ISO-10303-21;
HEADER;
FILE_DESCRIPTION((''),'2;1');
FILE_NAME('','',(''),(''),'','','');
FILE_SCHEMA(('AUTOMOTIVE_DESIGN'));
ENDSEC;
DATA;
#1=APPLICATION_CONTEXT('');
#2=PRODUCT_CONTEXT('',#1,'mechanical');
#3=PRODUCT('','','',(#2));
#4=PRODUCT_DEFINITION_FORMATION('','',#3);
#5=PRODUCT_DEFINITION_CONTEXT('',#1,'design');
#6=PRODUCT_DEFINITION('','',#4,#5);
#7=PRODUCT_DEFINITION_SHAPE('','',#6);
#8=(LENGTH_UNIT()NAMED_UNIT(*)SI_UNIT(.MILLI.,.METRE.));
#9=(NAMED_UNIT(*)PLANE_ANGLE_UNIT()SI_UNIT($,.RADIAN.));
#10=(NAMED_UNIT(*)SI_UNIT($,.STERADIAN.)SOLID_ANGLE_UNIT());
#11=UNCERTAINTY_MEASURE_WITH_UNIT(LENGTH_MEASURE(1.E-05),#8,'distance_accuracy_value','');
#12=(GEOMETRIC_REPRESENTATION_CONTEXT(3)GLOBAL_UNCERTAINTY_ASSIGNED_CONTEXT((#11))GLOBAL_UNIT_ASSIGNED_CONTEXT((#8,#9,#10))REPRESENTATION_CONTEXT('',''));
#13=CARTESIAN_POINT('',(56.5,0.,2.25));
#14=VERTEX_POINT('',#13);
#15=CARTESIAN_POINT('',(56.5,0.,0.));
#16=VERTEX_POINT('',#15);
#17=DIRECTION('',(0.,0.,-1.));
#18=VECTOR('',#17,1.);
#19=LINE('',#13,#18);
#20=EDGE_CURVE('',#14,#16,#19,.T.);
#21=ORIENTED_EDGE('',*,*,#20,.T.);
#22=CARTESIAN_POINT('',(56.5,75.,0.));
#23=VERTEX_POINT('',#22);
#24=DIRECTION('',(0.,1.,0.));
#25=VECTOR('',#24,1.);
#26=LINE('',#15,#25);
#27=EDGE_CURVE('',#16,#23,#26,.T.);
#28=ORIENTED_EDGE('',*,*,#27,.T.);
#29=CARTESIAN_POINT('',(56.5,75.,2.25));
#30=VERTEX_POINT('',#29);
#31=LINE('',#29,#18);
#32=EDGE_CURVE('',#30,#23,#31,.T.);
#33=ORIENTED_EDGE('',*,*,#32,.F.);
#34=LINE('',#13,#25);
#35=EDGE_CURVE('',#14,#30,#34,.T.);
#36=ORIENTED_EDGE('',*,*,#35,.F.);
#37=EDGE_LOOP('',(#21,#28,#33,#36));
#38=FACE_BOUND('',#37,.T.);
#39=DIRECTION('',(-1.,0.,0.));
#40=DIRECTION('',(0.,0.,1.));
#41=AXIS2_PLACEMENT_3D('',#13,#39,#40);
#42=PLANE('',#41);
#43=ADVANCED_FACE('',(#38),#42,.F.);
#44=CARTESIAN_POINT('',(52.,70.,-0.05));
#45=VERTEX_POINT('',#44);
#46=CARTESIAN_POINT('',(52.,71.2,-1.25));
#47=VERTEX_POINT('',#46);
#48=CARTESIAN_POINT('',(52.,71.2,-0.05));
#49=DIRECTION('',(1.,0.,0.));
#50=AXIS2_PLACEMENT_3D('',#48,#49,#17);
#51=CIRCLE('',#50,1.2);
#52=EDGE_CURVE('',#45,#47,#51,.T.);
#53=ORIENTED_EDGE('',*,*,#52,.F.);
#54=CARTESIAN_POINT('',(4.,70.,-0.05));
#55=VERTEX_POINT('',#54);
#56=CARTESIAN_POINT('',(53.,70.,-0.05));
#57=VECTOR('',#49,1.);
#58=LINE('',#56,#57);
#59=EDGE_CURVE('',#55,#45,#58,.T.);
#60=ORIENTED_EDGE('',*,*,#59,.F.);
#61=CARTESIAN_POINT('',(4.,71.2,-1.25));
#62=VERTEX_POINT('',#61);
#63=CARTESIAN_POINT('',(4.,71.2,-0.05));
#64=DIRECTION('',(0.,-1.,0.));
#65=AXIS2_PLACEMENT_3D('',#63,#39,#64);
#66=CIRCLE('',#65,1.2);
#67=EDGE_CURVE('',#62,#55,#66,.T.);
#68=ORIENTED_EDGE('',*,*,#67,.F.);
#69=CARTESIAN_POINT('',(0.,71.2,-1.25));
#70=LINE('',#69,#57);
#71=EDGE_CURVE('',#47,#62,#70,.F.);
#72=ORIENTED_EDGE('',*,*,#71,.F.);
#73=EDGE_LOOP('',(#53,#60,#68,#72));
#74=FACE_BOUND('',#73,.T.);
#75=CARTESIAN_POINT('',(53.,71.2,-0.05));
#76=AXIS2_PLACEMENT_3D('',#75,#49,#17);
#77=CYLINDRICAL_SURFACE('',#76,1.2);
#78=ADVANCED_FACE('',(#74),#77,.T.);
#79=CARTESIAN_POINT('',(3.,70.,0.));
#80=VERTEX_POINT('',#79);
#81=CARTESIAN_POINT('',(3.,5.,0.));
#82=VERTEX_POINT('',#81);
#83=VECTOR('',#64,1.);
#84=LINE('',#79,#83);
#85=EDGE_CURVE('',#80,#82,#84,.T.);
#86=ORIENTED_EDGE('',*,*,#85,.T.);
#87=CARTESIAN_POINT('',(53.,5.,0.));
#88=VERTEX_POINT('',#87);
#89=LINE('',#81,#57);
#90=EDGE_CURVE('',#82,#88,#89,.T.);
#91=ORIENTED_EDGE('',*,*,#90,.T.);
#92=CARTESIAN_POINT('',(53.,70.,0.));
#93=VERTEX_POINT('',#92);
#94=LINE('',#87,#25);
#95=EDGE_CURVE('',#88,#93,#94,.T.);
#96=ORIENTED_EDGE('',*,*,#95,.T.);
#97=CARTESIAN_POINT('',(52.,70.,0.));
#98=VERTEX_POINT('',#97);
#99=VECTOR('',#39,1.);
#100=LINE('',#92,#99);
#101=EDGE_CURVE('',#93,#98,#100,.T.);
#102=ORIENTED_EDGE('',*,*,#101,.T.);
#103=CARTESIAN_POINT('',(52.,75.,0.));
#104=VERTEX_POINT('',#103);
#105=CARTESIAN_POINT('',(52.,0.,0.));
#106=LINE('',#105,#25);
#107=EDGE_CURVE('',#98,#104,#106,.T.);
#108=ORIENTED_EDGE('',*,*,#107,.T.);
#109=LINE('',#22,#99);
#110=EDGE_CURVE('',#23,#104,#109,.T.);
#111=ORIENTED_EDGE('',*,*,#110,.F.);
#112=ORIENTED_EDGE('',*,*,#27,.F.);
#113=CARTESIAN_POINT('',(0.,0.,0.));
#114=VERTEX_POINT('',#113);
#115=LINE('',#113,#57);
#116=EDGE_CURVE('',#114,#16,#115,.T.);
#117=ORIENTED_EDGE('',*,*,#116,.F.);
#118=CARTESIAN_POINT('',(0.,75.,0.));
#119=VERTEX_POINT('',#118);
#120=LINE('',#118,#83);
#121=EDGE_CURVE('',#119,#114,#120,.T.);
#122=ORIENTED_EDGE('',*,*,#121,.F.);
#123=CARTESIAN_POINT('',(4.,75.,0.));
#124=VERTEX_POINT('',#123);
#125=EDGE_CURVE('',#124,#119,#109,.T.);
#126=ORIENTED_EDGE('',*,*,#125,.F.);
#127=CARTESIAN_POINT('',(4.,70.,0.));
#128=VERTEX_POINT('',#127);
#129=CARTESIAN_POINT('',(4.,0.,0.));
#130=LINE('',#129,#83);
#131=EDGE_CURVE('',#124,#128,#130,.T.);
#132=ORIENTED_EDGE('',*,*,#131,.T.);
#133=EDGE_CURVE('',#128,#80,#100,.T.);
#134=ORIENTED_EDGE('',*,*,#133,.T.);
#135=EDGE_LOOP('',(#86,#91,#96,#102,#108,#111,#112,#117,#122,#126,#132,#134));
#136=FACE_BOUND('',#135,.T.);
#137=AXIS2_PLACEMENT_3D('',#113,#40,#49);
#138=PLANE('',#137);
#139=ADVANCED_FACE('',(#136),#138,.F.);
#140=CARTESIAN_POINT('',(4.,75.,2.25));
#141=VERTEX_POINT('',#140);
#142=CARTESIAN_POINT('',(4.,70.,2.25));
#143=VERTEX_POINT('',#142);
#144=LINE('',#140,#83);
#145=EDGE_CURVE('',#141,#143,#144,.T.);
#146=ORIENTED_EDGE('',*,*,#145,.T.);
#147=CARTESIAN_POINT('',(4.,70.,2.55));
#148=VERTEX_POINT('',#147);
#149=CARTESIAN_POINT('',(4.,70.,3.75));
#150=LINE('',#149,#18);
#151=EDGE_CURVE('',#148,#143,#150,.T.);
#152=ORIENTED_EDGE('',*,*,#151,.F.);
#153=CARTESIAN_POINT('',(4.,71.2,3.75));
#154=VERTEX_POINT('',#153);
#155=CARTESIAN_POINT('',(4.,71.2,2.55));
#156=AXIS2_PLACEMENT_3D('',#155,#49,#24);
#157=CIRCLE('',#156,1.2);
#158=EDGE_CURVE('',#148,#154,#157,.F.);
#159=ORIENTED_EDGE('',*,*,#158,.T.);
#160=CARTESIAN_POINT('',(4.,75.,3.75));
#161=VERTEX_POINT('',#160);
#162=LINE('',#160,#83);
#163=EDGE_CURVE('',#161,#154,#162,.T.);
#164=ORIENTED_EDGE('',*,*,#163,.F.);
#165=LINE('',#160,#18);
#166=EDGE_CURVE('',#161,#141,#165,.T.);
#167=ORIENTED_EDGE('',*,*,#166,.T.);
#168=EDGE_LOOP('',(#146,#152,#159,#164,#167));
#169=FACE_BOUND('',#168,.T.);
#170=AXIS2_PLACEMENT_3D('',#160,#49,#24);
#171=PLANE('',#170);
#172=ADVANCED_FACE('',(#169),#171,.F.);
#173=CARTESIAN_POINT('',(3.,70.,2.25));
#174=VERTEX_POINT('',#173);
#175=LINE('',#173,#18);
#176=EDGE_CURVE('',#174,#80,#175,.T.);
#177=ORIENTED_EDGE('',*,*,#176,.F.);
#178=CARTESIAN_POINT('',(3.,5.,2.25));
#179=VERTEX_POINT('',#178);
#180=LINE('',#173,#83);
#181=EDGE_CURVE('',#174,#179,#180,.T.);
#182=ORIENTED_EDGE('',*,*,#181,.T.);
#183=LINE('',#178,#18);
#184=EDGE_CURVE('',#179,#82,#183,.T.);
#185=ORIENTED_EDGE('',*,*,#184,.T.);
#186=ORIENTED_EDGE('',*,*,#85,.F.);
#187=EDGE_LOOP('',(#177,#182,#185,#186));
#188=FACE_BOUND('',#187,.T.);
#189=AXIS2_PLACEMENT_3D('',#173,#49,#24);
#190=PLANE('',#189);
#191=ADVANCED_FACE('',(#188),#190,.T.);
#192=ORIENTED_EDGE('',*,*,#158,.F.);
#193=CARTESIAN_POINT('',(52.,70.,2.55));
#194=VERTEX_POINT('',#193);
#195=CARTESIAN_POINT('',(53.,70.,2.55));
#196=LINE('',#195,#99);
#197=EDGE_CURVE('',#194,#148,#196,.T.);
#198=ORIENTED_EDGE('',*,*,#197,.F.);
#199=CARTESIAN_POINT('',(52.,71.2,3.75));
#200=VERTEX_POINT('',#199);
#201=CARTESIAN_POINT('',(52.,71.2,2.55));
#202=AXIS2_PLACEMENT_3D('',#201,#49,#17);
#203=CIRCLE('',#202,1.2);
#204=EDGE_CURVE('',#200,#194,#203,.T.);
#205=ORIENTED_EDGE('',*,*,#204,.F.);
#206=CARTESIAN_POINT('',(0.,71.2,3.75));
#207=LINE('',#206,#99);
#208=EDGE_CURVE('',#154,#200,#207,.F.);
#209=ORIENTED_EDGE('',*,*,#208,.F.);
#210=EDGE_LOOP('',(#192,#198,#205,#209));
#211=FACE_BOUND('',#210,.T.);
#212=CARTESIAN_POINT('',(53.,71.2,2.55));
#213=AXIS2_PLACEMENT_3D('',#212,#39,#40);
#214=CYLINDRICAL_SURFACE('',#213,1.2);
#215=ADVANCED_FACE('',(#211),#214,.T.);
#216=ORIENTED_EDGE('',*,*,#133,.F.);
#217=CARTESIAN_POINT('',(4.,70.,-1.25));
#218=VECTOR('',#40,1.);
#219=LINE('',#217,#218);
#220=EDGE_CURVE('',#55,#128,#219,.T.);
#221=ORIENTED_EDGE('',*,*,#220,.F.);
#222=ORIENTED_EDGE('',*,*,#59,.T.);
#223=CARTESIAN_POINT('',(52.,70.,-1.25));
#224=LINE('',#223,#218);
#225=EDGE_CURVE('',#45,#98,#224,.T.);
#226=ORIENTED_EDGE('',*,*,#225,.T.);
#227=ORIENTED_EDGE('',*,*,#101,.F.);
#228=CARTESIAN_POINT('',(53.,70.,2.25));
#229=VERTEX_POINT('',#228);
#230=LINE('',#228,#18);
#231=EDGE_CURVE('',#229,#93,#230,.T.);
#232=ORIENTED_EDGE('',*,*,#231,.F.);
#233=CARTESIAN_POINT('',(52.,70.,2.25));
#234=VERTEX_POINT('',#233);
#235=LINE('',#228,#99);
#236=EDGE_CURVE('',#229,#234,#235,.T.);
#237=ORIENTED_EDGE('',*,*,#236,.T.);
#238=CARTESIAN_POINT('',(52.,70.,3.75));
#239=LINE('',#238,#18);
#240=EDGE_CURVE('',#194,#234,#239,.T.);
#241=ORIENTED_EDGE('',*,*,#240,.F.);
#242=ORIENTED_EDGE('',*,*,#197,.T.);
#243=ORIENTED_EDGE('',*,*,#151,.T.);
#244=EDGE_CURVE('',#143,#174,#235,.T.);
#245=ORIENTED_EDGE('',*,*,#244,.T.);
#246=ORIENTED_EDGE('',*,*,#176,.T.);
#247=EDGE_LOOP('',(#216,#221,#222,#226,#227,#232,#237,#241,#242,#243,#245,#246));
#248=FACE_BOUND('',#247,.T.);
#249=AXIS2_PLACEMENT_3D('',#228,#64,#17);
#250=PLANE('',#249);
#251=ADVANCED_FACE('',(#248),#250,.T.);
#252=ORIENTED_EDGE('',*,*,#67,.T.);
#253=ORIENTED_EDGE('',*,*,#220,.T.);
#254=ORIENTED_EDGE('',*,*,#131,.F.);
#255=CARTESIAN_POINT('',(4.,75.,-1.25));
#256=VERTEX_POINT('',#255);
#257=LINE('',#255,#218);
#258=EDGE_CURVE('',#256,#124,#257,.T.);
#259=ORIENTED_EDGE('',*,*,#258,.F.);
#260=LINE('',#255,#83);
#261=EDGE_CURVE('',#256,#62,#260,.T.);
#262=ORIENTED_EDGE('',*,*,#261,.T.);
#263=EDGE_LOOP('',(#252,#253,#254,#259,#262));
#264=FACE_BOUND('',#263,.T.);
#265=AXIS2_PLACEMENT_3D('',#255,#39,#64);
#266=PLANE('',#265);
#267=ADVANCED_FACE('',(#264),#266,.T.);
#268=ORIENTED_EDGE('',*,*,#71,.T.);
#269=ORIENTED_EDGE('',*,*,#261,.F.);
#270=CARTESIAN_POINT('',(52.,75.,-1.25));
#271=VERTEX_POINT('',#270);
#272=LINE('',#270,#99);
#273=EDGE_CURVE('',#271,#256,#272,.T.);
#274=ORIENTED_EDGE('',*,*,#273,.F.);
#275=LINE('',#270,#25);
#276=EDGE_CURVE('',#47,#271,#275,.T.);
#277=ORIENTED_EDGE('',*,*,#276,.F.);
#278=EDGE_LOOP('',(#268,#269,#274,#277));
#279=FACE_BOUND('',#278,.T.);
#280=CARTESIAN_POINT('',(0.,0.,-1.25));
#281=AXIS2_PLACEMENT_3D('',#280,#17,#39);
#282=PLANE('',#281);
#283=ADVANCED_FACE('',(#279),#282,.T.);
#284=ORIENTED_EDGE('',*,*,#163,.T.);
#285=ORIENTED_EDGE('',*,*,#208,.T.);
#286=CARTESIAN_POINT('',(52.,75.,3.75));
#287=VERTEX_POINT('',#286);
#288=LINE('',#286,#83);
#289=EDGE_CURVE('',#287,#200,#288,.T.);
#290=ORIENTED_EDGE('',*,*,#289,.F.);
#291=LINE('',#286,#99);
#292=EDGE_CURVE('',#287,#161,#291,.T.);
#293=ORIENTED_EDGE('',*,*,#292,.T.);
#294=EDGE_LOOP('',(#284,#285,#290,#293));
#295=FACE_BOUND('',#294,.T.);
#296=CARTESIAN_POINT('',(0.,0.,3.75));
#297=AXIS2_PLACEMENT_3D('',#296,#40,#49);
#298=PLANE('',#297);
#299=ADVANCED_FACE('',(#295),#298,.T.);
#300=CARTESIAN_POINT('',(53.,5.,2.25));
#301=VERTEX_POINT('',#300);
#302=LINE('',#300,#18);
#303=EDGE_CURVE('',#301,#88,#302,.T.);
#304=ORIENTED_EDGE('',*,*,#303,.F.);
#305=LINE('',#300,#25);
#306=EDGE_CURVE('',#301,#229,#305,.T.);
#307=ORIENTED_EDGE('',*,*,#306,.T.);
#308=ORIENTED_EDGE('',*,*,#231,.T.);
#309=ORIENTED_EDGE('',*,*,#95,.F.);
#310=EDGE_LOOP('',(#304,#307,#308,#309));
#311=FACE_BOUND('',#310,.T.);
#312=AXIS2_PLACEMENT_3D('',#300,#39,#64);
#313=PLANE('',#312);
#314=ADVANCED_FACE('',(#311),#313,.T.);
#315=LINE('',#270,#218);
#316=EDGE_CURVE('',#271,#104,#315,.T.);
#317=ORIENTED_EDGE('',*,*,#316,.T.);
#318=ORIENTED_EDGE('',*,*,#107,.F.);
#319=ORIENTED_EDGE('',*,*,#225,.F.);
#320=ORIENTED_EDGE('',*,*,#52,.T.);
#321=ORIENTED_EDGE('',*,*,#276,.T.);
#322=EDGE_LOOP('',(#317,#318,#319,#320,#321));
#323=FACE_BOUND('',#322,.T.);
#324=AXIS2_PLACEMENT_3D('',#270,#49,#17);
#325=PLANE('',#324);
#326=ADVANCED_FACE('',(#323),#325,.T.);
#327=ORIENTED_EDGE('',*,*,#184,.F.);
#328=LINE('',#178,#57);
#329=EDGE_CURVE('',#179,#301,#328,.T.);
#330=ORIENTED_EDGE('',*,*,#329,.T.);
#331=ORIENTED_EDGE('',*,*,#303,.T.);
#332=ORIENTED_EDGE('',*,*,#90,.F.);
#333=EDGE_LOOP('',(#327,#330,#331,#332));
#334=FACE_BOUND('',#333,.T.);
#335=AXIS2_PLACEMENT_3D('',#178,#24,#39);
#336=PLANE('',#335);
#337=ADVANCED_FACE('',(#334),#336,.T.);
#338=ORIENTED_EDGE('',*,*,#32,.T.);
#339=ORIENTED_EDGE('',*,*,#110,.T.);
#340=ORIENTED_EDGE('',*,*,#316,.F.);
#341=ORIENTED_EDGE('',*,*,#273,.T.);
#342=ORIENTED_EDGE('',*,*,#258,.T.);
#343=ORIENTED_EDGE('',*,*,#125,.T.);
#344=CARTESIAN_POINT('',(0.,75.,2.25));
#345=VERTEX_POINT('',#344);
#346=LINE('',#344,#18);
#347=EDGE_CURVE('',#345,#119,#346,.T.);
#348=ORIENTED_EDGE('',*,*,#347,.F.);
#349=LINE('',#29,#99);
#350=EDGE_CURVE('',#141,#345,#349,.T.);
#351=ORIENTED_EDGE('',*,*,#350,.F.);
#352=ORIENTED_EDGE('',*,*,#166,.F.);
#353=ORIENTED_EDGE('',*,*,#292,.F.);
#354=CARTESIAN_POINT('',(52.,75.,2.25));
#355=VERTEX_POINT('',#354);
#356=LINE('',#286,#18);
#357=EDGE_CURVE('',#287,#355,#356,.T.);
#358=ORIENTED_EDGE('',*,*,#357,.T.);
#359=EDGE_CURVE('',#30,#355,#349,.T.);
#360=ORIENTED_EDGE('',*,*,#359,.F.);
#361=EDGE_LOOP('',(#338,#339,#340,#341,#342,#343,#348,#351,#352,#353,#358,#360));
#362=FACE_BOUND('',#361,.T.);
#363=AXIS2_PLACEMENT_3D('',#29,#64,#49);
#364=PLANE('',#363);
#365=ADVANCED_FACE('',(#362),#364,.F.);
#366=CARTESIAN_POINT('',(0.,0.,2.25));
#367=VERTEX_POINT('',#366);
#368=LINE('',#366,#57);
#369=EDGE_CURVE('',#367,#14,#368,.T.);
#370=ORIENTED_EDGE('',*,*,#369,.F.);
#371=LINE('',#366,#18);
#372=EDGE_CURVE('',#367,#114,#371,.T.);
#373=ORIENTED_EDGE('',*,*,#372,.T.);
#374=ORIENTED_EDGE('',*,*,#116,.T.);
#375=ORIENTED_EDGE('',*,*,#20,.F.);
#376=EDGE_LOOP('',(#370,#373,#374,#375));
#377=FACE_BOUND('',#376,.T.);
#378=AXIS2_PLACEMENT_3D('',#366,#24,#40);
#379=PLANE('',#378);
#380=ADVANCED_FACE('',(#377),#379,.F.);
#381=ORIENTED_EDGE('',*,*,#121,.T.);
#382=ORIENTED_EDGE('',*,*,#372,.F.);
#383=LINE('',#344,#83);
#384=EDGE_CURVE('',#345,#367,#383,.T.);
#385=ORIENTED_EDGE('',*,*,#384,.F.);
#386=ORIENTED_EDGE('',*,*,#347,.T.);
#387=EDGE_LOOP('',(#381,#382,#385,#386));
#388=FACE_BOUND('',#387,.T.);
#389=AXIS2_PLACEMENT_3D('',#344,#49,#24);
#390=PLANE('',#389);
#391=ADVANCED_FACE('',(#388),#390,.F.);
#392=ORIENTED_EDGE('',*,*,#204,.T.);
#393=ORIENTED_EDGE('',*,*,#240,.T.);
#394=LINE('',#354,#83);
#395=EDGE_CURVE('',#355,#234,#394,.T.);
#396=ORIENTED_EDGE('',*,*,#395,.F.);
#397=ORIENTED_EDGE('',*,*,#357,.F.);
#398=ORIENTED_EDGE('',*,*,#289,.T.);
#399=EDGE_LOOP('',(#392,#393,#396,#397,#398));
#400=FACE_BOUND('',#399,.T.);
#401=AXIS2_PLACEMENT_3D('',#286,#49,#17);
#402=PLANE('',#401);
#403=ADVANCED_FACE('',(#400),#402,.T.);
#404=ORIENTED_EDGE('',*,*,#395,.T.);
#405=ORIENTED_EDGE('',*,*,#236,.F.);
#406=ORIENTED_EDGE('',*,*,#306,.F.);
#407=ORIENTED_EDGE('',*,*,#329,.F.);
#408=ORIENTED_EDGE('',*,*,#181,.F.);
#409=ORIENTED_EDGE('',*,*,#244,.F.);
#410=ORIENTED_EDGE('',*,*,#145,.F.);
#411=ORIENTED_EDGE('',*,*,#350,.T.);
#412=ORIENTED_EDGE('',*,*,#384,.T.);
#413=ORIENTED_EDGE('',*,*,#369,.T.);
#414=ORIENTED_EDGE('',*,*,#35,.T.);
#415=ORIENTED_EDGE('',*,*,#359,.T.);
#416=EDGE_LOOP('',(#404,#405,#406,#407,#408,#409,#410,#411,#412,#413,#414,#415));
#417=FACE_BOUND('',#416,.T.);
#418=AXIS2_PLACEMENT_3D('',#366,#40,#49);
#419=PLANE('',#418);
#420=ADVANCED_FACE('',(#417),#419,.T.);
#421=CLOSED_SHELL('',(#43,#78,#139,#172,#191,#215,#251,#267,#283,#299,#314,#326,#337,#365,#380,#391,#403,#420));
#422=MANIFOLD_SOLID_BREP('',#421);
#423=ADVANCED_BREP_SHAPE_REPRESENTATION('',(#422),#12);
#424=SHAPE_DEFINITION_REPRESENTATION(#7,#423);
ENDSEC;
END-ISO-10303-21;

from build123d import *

# Parameters (mm, degrees)
SKETCH2_W                = 56.5
SKETCH2_H                = 75
SKETCH2_W_2              = 50
SKETCH2_H_2              = 65
BOSS_EXTRUDE1_DEPTH      = 2.25
SKETCH3_W                = 48
SKETCH3_H                = 5
BOSS_EXTRUDE2_DEPTH      = 1.5
BOSS_EXTRUDE3_DEPTH      = 1.5
BOSS_EXTRUDE3_DEPTH_BACK = 3.5
SKETCH3_4_W              = 48
SKETCH3_4_H              = 5
FILLET3_R                = 1.2


with BuildPart() as part:
    # Sketch2 → Boss-Extrude1 (new body)
    with BuildSketch(Plane.XY):
        with Locations((28.25, 37.5)):
            Rectangle(SKETCH2_W, SKETCH2_H)
        with Locations((28, 37.5)):
            Rectangle(SKETCH2_W_2, SKETCH2_H_2, mode=Mode.SUBTRACT)
    extrude(amount=BOSS_EXTRUDE1_DEPTH)

    # Sketch3 → Boss-Extrude2 (add)
    with BuildSketch(Plane.XY.offset(2.25)):
        with Locations((28, 72.5)):
            Rectangle(SKETCH3_W, SKETCH3_H)
    extrude(amount=BOSS_EXTRUDE2_DEPTH)

    # Sketch3<4> → Boss-Extrude3 (add, two sides: drawn at the far end of the back side and taken through both)
    with BuildSketch(Plane.XY.offset(2.25).offset(-BOSS_EXTRUDE3_DEPTH_BACK)):
        with Locations((28, 72.5)):
            Rectangle(SKETCH3_4_W, SKETCH3_4_H)
    extrude(amount=BOSS_EXTRUDE3_DEPTH + BOSS_EXTRUDE3_DEPTH_BACK)

    # Fillet3
    fillet3_edges = [part.edges().sort_by_distance(p)[0] for p in [
        (28, 70, -1.25),
        (28, 70, 3.75),
    ]]
    fillet(fillet3_edges, radius=FILLET3_R)


solid = part.part
